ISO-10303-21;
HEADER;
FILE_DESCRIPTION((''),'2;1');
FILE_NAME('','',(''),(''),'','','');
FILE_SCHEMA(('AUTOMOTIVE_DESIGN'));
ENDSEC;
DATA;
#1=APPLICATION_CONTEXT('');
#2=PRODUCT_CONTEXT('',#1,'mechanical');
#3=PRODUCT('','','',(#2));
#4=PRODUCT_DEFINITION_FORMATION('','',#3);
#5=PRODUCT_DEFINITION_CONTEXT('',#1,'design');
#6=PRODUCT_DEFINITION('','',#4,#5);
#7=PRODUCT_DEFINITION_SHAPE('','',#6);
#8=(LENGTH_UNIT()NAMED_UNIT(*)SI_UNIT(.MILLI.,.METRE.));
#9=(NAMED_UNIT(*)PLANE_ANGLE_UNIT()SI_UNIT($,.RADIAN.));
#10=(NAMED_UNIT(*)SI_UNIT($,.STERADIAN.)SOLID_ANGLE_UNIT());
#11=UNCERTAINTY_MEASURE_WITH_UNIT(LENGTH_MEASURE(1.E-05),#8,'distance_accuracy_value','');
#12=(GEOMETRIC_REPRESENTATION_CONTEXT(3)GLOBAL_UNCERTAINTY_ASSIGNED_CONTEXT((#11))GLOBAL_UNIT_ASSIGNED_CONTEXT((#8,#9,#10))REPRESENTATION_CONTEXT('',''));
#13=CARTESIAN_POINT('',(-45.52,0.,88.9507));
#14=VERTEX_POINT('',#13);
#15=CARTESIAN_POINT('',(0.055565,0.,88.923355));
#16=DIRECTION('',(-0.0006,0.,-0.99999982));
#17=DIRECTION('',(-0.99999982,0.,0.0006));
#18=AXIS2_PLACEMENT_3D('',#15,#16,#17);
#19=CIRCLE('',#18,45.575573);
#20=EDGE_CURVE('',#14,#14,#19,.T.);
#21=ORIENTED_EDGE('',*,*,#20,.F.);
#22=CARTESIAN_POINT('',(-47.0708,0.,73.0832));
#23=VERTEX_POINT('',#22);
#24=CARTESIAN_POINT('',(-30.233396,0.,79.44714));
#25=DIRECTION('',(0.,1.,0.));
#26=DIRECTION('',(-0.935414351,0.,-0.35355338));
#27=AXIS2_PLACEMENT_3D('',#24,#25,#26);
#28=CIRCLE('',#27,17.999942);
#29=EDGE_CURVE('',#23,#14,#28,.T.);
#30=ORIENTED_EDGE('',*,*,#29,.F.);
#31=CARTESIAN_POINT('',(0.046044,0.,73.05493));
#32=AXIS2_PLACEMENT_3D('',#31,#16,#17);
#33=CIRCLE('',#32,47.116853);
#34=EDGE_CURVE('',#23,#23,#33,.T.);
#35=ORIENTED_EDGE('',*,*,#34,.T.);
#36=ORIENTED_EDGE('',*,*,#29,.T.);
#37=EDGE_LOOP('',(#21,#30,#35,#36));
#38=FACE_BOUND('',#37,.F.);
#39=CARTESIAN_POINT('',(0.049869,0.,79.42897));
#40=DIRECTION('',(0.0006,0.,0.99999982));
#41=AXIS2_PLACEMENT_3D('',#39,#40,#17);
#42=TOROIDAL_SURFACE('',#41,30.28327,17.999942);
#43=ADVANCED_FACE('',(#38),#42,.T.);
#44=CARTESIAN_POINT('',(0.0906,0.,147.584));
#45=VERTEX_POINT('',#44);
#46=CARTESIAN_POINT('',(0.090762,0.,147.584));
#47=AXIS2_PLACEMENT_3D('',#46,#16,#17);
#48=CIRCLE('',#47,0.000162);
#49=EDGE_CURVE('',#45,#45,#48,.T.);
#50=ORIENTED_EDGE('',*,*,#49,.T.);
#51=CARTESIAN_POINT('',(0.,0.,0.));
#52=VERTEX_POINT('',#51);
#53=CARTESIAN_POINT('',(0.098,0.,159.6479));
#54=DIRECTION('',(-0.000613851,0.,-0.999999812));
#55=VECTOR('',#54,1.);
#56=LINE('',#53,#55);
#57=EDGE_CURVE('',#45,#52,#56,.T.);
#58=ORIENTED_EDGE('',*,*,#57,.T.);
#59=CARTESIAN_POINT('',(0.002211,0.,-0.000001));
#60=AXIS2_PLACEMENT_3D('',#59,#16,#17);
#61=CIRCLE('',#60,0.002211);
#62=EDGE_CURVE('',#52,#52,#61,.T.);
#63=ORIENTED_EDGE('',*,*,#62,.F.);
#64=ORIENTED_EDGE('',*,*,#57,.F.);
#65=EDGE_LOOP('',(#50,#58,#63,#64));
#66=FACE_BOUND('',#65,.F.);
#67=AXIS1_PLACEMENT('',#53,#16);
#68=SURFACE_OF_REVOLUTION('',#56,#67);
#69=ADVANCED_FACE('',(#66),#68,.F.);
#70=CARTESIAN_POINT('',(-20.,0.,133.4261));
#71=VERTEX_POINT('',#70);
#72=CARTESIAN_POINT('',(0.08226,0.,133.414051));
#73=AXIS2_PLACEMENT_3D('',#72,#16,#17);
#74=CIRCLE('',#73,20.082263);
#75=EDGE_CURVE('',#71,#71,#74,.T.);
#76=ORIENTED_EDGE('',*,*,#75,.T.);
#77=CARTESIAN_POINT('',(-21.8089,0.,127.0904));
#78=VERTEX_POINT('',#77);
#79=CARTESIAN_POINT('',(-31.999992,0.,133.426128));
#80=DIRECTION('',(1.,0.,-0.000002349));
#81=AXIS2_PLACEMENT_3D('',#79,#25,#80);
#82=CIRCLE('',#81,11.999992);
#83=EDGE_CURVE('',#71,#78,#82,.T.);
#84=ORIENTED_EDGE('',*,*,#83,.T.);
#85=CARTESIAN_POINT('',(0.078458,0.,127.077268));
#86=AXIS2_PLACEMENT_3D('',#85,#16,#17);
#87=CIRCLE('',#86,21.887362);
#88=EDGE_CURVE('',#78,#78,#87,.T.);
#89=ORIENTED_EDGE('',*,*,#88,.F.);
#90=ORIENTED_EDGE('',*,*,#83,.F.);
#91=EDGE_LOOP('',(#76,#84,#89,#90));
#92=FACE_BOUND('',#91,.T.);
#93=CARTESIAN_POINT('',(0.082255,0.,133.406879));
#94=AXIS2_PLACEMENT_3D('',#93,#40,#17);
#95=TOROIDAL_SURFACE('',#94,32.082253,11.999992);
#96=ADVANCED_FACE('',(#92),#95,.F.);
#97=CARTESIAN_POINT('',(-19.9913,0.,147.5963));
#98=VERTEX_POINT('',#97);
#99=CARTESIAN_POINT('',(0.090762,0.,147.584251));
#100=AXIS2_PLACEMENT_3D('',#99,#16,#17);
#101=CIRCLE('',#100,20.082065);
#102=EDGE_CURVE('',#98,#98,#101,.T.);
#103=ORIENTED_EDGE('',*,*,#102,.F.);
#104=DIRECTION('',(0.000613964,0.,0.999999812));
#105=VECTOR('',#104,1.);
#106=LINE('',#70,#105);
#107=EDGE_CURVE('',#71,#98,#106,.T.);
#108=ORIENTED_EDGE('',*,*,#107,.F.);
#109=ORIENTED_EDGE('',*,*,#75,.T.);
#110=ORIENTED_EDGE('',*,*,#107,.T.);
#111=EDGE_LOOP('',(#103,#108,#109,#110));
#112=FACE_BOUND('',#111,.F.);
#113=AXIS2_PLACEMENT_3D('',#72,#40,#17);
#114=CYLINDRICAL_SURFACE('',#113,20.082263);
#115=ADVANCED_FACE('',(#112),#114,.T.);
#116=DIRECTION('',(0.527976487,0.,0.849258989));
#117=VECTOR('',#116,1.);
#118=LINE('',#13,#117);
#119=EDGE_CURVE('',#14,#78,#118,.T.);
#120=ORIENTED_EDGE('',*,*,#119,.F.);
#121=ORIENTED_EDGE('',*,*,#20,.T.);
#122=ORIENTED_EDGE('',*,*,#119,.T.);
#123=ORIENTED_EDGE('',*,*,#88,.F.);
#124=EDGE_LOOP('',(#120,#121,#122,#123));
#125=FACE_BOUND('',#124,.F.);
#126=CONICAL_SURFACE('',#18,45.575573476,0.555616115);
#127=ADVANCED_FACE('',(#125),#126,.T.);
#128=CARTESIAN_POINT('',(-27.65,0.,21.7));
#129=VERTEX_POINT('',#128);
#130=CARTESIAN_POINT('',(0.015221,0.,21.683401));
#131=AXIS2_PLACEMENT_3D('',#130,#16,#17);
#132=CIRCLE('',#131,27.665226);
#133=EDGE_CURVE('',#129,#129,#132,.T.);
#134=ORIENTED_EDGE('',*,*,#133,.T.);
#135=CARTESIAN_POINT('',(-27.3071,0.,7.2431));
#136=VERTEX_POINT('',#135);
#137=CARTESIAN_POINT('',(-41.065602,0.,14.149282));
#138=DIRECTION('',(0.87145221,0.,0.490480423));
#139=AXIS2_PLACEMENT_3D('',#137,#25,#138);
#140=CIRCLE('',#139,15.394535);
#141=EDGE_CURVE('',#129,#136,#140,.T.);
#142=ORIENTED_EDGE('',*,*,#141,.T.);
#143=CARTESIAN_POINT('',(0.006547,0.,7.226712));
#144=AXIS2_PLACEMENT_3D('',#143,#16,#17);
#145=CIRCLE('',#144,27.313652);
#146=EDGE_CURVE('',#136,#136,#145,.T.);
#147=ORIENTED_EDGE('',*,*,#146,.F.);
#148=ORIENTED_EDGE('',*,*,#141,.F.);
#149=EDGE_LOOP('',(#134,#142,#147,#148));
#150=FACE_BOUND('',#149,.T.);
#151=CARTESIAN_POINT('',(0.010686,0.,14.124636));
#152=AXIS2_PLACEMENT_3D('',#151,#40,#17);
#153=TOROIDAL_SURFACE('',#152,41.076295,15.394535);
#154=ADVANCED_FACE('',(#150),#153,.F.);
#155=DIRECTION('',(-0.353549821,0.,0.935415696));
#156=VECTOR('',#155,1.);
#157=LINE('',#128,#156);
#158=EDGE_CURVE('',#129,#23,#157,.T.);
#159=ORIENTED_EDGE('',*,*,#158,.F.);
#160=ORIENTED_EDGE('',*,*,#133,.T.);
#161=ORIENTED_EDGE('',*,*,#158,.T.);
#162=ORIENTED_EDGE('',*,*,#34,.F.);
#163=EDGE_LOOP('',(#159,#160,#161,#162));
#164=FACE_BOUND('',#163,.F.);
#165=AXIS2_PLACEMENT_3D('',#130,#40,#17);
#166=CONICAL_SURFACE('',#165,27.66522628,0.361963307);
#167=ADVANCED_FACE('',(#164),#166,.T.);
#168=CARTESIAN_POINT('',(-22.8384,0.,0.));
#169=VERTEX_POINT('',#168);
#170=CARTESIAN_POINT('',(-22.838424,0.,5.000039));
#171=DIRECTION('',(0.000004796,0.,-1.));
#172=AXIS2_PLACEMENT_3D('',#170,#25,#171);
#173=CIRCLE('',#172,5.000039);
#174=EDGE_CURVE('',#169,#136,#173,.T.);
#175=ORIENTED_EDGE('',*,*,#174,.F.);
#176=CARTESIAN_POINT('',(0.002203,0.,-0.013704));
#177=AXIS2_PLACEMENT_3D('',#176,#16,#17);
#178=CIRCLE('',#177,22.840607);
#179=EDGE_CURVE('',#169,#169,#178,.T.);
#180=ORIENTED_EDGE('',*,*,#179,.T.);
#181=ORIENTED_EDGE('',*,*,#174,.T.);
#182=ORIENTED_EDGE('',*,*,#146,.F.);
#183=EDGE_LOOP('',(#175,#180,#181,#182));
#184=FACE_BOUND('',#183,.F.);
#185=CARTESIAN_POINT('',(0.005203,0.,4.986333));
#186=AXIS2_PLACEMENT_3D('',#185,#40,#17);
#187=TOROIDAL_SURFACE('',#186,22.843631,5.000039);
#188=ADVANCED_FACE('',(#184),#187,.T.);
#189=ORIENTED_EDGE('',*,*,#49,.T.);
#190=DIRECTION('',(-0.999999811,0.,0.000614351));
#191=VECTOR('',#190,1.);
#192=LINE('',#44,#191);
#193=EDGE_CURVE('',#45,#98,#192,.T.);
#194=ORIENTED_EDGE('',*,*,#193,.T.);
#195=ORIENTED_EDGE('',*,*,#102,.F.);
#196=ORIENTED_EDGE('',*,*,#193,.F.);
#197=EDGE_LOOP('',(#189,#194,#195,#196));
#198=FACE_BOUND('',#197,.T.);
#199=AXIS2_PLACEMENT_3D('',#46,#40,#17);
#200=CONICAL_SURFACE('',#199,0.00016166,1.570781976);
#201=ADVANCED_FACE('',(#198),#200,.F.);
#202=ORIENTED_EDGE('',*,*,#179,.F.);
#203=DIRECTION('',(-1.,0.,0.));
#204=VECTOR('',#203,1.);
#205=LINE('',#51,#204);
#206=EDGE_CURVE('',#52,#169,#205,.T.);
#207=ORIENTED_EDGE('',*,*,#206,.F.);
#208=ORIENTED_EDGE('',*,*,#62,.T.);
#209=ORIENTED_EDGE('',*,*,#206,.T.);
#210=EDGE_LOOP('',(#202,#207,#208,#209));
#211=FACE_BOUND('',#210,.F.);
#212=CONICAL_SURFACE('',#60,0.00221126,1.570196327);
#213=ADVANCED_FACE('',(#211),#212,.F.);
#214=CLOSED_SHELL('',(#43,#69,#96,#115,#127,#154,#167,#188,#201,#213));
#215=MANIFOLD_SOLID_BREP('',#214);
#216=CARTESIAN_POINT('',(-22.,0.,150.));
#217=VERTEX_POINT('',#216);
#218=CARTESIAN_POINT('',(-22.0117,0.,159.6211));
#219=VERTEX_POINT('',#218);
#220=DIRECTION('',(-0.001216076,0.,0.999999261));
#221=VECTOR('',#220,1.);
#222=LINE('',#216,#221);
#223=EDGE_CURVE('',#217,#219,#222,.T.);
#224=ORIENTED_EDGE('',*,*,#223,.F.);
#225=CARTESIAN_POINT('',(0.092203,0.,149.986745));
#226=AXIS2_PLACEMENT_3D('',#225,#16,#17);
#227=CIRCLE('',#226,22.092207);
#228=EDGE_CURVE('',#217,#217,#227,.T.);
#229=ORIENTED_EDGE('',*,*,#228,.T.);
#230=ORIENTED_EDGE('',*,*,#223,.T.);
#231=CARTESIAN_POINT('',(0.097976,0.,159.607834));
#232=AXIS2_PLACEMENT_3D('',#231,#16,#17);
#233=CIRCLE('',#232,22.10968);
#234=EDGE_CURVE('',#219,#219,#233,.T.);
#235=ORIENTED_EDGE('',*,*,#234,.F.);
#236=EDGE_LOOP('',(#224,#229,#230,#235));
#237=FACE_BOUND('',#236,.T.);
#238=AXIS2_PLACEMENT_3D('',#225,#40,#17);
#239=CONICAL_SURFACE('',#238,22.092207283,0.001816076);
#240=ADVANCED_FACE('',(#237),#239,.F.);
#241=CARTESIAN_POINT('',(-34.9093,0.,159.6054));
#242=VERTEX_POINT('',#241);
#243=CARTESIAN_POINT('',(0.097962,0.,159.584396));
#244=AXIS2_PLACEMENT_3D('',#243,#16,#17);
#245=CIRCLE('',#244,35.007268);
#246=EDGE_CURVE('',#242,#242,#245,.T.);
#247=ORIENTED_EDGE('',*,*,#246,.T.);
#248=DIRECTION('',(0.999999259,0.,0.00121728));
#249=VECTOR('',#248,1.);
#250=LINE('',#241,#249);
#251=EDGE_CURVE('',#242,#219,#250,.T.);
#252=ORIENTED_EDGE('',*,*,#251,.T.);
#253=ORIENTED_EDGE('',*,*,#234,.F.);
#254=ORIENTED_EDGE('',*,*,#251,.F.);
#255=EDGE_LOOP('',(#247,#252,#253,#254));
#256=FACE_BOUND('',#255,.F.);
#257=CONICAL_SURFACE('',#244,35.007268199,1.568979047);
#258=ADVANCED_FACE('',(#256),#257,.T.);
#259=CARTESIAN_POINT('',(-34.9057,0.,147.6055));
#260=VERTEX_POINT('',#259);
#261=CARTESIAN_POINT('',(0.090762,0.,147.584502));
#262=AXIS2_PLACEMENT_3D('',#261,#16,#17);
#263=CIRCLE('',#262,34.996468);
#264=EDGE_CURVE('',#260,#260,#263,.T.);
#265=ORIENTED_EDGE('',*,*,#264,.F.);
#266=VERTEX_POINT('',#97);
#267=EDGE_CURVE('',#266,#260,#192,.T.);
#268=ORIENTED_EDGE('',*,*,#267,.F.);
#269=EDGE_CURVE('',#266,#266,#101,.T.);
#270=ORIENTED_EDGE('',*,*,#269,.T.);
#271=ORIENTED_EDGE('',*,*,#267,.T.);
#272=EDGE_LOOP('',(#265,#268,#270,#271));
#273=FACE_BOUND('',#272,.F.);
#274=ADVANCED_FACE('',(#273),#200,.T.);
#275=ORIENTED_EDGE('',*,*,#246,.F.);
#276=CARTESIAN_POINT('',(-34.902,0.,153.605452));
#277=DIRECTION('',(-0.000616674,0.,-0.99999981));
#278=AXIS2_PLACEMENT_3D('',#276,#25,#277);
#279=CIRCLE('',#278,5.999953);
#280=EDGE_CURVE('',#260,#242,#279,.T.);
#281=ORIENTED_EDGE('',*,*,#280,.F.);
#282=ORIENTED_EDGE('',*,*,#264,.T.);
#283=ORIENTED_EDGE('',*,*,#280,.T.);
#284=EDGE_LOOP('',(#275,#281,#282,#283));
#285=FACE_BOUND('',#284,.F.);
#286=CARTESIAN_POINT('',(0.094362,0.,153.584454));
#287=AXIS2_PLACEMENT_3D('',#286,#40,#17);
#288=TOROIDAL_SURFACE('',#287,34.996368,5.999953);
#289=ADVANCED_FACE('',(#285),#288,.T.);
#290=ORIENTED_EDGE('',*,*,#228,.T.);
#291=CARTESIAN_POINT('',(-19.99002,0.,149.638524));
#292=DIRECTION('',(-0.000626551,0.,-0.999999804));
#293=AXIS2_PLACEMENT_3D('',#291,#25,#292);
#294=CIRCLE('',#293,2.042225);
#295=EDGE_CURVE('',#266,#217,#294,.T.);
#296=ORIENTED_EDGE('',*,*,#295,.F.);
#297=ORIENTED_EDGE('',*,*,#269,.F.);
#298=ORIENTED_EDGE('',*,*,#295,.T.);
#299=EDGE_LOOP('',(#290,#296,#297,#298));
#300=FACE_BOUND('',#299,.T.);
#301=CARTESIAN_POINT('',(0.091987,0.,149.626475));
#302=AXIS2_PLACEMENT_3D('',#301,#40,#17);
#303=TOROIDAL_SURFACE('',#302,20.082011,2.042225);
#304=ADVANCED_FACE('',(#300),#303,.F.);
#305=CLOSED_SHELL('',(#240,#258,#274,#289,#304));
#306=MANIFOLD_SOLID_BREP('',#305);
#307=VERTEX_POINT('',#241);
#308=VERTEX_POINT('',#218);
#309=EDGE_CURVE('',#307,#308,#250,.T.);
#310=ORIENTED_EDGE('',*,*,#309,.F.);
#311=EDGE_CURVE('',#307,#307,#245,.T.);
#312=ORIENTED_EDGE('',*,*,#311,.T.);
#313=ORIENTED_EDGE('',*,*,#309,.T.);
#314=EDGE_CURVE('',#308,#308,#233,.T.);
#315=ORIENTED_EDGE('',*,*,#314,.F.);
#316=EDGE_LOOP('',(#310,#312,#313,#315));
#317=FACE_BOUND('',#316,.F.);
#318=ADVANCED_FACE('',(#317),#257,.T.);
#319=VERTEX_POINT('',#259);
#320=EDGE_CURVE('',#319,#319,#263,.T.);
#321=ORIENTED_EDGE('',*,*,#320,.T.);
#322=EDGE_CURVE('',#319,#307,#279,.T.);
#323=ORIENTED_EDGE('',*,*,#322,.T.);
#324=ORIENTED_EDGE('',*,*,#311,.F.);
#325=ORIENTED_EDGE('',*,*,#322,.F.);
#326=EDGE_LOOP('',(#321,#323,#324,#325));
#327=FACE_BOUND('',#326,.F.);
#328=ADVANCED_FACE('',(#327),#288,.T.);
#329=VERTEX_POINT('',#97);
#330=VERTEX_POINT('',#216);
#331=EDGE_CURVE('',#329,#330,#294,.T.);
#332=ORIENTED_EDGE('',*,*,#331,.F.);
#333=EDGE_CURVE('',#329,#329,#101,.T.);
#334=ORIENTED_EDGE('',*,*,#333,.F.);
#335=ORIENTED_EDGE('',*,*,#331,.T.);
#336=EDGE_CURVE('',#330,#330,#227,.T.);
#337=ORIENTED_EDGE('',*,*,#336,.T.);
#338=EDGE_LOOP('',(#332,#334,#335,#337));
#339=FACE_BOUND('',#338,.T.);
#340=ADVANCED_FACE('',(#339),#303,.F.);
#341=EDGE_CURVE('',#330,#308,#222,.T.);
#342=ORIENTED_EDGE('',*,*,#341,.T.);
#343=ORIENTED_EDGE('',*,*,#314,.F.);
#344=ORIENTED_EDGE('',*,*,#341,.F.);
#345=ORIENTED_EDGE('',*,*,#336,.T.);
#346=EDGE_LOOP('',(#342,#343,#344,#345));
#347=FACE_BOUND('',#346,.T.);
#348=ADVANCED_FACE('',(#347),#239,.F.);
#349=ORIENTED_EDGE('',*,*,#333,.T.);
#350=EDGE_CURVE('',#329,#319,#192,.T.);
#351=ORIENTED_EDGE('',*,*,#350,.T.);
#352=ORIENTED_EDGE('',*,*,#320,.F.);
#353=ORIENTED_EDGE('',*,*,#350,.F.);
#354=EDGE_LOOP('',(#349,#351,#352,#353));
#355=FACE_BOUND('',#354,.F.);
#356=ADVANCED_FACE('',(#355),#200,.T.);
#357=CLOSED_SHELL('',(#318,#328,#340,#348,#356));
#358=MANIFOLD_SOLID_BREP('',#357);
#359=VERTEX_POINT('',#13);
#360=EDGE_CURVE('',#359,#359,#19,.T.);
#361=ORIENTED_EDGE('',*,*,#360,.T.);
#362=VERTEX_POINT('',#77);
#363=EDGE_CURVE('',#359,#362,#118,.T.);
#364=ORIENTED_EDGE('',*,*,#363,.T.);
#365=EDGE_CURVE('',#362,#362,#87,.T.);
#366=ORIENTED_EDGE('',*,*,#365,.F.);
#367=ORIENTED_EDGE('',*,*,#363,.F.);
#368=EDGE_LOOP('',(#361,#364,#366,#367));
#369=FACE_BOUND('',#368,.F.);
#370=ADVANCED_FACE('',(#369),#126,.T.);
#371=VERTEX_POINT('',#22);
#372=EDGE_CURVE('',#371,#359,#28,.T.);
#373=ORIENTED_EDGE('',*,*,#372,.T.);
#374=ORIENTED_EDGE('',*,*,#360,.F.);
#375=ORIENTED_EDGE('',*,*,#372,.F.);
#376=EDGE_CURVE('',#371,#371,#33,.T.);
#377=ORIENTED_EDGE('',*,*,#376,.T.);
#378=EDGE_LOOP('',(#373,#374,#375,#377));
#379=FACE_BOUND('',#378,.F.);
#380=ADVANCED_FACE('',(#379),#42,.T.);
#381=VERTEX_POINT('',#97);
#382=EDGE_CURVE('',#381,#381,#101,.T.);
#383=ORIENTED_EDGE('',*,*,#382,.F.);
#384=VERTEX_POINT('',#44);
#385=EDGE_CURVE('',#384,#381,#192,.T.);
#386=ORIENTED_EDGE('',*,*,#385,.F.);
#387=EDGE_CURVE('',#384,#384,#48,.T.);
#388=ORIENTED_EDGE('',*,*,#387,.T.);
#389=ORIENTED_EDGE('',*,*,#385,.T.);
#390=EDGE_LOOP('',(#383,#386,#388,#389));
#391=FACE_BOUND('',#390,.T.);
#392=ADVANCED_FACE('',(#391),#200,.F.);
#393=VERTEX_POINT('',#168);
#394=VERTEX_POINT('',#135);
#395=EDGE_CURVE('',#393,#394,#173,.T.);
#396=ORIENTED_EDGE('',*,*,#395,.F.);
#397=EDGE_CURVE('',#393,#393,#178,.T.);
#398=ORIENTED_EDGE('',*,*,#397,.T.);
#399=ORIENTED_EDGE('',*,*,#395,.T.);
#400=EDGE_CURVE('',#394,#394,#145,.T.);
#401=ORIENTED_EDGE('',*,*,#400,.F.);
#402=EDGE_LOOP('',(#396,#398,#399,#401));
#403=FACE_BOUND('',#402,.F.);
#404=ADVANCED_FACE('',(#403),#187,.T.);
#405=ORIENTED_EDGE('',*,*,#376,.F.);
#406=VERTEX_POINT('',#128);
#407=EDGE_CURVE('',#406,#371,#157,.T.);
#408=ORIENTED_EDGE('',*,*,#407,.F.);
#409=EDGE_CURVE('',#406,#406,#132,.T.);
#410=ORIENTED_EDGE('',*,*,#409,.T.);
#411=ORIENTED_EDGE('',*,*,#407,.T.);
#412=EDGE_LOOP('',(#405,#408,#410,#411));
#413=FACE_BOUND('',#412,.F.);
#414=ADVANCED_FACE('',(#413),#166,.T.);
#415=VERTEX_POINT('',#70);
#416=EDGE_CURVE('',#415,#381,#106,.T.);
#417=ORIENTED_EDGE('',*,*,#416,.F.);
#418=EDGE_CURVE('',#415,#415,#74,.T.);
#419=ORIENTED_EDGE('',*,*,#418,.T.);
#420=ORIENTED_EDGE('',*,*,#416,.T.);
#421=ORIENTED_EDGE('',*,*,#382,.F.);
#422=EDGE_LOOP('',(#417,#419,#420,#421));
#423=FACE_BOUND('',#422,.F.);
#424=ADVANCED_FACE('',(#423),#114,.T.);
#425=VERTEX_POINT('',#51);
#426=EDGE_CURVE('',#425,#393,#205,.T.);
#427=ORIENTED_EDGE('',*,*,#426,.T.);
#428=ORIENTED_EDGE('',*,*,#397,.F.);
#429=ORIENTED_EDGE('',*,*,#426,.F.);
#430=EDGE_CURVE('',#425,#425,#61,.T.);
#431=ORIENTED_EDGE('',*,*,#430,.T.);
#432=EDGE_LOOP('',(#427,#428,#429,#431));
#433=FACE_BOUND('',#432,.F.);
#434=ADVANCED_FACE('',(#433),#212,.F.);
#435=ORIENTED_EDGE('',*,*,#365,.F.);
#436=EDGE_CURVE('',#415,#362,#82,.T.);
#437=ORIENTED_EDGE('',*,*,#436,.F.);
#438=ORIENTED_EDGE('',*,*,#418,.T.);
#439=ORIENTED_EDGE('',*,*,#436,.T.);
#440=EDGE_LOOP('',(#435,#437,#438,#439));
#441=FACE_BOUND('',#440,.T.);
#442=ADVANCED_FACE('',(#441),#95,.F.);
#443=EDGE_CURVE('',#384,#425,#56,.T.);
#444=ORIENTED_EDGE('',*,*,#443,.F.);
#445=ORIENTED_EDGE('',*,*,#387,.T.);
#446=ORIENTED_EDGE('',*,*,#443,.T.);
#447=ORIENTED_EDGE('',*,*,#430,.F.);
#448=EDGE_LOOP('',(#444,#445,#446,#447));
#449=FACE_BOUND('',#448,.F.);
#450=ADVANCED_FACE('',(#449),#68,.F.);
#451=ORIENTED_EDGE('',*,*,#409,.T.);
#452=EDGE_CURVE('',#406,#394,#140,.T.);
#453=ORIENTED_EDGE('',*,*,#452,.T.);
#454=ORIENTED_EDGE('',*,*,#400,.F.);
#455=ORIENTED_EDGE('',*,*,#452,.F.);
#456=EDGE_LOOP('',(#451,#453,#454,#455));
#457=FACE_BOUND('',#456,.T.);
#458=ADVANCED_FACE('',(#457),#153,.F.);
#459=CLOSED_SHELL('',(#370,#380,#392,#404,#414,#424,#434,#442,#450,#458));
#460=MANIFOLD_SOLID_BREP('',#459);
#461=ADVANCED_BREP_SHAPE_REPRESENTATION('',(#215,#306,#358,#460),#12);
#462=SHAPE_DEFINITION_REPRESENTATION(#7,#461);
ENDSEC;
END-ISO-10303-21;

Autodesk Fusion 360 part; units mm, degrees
sketch "Sketch1" plane through (0, 0, 0) normal (0, 1, 0) x (1, 0, 0)
  arc A0 (-27.65, -21.7) -> (-27.3071, -7.2431) centre (-41.0656, -14.1492) ccw
  line L0 (0, 0) -> (-22.8384, 0)
  arc A1 (-22.8384, 0) -> (-27.3071, -7.2431) centre (-22.8384, -5) ccw
  line L1 (-27.65, -21.7) -> (-47.0708, -73.0832)
  line L2 (-45.52, -88.9507) -> (-21.8089, -127.0904)
  line L3 (-20, -133.4261) -> (-19.9913, -147.5963)
  arc A2 (-47.0708, -73.0832) -> (-45.52, -88.9507) centre (-30.2334, -79.4471) ccw
  arc A3 (-20, -133.4261) -> (-21.8089, -127.0904) centre (-32, -133.4261) ccw
  line L4 (0.0906, -147.584) -> (-34.9057, -147.6055)
  line L5 (-34.9093, -159.6054) -> (-22.0117, -159.6211)
  arc A4 (-34.9057, -147.6055) -> (-34.9093, -159.6054) centre (-34.902, -153.6055) ccw
  line L6 (0.098, -159.6479) -> (0, 0)
  arc A5 (-19.9913, -147.5963) -> (-22, -150) centre (-19.99, -149.6385) ccw
  line L7 (-22, -150) -> (-22.0117, -159.6211)
  dimension "d10" = 12
  dimension "d13" = 6
revolve "Revolve1" add sketch "Sketch1" angle 360 about axis through (0.098, 0, 159.6479) along (-0.0006, 0, -1) makes body 1 at (15.6718, -39.8348, 61.6289)
revolve "Revolve2" add sketch "Sketch1" angle 360 about axis through (0.098, 0, 159.6479) along (-0.0006, 0, -1) separate body makes body 2 at (15.6718, -39.8348, 61.6289)
